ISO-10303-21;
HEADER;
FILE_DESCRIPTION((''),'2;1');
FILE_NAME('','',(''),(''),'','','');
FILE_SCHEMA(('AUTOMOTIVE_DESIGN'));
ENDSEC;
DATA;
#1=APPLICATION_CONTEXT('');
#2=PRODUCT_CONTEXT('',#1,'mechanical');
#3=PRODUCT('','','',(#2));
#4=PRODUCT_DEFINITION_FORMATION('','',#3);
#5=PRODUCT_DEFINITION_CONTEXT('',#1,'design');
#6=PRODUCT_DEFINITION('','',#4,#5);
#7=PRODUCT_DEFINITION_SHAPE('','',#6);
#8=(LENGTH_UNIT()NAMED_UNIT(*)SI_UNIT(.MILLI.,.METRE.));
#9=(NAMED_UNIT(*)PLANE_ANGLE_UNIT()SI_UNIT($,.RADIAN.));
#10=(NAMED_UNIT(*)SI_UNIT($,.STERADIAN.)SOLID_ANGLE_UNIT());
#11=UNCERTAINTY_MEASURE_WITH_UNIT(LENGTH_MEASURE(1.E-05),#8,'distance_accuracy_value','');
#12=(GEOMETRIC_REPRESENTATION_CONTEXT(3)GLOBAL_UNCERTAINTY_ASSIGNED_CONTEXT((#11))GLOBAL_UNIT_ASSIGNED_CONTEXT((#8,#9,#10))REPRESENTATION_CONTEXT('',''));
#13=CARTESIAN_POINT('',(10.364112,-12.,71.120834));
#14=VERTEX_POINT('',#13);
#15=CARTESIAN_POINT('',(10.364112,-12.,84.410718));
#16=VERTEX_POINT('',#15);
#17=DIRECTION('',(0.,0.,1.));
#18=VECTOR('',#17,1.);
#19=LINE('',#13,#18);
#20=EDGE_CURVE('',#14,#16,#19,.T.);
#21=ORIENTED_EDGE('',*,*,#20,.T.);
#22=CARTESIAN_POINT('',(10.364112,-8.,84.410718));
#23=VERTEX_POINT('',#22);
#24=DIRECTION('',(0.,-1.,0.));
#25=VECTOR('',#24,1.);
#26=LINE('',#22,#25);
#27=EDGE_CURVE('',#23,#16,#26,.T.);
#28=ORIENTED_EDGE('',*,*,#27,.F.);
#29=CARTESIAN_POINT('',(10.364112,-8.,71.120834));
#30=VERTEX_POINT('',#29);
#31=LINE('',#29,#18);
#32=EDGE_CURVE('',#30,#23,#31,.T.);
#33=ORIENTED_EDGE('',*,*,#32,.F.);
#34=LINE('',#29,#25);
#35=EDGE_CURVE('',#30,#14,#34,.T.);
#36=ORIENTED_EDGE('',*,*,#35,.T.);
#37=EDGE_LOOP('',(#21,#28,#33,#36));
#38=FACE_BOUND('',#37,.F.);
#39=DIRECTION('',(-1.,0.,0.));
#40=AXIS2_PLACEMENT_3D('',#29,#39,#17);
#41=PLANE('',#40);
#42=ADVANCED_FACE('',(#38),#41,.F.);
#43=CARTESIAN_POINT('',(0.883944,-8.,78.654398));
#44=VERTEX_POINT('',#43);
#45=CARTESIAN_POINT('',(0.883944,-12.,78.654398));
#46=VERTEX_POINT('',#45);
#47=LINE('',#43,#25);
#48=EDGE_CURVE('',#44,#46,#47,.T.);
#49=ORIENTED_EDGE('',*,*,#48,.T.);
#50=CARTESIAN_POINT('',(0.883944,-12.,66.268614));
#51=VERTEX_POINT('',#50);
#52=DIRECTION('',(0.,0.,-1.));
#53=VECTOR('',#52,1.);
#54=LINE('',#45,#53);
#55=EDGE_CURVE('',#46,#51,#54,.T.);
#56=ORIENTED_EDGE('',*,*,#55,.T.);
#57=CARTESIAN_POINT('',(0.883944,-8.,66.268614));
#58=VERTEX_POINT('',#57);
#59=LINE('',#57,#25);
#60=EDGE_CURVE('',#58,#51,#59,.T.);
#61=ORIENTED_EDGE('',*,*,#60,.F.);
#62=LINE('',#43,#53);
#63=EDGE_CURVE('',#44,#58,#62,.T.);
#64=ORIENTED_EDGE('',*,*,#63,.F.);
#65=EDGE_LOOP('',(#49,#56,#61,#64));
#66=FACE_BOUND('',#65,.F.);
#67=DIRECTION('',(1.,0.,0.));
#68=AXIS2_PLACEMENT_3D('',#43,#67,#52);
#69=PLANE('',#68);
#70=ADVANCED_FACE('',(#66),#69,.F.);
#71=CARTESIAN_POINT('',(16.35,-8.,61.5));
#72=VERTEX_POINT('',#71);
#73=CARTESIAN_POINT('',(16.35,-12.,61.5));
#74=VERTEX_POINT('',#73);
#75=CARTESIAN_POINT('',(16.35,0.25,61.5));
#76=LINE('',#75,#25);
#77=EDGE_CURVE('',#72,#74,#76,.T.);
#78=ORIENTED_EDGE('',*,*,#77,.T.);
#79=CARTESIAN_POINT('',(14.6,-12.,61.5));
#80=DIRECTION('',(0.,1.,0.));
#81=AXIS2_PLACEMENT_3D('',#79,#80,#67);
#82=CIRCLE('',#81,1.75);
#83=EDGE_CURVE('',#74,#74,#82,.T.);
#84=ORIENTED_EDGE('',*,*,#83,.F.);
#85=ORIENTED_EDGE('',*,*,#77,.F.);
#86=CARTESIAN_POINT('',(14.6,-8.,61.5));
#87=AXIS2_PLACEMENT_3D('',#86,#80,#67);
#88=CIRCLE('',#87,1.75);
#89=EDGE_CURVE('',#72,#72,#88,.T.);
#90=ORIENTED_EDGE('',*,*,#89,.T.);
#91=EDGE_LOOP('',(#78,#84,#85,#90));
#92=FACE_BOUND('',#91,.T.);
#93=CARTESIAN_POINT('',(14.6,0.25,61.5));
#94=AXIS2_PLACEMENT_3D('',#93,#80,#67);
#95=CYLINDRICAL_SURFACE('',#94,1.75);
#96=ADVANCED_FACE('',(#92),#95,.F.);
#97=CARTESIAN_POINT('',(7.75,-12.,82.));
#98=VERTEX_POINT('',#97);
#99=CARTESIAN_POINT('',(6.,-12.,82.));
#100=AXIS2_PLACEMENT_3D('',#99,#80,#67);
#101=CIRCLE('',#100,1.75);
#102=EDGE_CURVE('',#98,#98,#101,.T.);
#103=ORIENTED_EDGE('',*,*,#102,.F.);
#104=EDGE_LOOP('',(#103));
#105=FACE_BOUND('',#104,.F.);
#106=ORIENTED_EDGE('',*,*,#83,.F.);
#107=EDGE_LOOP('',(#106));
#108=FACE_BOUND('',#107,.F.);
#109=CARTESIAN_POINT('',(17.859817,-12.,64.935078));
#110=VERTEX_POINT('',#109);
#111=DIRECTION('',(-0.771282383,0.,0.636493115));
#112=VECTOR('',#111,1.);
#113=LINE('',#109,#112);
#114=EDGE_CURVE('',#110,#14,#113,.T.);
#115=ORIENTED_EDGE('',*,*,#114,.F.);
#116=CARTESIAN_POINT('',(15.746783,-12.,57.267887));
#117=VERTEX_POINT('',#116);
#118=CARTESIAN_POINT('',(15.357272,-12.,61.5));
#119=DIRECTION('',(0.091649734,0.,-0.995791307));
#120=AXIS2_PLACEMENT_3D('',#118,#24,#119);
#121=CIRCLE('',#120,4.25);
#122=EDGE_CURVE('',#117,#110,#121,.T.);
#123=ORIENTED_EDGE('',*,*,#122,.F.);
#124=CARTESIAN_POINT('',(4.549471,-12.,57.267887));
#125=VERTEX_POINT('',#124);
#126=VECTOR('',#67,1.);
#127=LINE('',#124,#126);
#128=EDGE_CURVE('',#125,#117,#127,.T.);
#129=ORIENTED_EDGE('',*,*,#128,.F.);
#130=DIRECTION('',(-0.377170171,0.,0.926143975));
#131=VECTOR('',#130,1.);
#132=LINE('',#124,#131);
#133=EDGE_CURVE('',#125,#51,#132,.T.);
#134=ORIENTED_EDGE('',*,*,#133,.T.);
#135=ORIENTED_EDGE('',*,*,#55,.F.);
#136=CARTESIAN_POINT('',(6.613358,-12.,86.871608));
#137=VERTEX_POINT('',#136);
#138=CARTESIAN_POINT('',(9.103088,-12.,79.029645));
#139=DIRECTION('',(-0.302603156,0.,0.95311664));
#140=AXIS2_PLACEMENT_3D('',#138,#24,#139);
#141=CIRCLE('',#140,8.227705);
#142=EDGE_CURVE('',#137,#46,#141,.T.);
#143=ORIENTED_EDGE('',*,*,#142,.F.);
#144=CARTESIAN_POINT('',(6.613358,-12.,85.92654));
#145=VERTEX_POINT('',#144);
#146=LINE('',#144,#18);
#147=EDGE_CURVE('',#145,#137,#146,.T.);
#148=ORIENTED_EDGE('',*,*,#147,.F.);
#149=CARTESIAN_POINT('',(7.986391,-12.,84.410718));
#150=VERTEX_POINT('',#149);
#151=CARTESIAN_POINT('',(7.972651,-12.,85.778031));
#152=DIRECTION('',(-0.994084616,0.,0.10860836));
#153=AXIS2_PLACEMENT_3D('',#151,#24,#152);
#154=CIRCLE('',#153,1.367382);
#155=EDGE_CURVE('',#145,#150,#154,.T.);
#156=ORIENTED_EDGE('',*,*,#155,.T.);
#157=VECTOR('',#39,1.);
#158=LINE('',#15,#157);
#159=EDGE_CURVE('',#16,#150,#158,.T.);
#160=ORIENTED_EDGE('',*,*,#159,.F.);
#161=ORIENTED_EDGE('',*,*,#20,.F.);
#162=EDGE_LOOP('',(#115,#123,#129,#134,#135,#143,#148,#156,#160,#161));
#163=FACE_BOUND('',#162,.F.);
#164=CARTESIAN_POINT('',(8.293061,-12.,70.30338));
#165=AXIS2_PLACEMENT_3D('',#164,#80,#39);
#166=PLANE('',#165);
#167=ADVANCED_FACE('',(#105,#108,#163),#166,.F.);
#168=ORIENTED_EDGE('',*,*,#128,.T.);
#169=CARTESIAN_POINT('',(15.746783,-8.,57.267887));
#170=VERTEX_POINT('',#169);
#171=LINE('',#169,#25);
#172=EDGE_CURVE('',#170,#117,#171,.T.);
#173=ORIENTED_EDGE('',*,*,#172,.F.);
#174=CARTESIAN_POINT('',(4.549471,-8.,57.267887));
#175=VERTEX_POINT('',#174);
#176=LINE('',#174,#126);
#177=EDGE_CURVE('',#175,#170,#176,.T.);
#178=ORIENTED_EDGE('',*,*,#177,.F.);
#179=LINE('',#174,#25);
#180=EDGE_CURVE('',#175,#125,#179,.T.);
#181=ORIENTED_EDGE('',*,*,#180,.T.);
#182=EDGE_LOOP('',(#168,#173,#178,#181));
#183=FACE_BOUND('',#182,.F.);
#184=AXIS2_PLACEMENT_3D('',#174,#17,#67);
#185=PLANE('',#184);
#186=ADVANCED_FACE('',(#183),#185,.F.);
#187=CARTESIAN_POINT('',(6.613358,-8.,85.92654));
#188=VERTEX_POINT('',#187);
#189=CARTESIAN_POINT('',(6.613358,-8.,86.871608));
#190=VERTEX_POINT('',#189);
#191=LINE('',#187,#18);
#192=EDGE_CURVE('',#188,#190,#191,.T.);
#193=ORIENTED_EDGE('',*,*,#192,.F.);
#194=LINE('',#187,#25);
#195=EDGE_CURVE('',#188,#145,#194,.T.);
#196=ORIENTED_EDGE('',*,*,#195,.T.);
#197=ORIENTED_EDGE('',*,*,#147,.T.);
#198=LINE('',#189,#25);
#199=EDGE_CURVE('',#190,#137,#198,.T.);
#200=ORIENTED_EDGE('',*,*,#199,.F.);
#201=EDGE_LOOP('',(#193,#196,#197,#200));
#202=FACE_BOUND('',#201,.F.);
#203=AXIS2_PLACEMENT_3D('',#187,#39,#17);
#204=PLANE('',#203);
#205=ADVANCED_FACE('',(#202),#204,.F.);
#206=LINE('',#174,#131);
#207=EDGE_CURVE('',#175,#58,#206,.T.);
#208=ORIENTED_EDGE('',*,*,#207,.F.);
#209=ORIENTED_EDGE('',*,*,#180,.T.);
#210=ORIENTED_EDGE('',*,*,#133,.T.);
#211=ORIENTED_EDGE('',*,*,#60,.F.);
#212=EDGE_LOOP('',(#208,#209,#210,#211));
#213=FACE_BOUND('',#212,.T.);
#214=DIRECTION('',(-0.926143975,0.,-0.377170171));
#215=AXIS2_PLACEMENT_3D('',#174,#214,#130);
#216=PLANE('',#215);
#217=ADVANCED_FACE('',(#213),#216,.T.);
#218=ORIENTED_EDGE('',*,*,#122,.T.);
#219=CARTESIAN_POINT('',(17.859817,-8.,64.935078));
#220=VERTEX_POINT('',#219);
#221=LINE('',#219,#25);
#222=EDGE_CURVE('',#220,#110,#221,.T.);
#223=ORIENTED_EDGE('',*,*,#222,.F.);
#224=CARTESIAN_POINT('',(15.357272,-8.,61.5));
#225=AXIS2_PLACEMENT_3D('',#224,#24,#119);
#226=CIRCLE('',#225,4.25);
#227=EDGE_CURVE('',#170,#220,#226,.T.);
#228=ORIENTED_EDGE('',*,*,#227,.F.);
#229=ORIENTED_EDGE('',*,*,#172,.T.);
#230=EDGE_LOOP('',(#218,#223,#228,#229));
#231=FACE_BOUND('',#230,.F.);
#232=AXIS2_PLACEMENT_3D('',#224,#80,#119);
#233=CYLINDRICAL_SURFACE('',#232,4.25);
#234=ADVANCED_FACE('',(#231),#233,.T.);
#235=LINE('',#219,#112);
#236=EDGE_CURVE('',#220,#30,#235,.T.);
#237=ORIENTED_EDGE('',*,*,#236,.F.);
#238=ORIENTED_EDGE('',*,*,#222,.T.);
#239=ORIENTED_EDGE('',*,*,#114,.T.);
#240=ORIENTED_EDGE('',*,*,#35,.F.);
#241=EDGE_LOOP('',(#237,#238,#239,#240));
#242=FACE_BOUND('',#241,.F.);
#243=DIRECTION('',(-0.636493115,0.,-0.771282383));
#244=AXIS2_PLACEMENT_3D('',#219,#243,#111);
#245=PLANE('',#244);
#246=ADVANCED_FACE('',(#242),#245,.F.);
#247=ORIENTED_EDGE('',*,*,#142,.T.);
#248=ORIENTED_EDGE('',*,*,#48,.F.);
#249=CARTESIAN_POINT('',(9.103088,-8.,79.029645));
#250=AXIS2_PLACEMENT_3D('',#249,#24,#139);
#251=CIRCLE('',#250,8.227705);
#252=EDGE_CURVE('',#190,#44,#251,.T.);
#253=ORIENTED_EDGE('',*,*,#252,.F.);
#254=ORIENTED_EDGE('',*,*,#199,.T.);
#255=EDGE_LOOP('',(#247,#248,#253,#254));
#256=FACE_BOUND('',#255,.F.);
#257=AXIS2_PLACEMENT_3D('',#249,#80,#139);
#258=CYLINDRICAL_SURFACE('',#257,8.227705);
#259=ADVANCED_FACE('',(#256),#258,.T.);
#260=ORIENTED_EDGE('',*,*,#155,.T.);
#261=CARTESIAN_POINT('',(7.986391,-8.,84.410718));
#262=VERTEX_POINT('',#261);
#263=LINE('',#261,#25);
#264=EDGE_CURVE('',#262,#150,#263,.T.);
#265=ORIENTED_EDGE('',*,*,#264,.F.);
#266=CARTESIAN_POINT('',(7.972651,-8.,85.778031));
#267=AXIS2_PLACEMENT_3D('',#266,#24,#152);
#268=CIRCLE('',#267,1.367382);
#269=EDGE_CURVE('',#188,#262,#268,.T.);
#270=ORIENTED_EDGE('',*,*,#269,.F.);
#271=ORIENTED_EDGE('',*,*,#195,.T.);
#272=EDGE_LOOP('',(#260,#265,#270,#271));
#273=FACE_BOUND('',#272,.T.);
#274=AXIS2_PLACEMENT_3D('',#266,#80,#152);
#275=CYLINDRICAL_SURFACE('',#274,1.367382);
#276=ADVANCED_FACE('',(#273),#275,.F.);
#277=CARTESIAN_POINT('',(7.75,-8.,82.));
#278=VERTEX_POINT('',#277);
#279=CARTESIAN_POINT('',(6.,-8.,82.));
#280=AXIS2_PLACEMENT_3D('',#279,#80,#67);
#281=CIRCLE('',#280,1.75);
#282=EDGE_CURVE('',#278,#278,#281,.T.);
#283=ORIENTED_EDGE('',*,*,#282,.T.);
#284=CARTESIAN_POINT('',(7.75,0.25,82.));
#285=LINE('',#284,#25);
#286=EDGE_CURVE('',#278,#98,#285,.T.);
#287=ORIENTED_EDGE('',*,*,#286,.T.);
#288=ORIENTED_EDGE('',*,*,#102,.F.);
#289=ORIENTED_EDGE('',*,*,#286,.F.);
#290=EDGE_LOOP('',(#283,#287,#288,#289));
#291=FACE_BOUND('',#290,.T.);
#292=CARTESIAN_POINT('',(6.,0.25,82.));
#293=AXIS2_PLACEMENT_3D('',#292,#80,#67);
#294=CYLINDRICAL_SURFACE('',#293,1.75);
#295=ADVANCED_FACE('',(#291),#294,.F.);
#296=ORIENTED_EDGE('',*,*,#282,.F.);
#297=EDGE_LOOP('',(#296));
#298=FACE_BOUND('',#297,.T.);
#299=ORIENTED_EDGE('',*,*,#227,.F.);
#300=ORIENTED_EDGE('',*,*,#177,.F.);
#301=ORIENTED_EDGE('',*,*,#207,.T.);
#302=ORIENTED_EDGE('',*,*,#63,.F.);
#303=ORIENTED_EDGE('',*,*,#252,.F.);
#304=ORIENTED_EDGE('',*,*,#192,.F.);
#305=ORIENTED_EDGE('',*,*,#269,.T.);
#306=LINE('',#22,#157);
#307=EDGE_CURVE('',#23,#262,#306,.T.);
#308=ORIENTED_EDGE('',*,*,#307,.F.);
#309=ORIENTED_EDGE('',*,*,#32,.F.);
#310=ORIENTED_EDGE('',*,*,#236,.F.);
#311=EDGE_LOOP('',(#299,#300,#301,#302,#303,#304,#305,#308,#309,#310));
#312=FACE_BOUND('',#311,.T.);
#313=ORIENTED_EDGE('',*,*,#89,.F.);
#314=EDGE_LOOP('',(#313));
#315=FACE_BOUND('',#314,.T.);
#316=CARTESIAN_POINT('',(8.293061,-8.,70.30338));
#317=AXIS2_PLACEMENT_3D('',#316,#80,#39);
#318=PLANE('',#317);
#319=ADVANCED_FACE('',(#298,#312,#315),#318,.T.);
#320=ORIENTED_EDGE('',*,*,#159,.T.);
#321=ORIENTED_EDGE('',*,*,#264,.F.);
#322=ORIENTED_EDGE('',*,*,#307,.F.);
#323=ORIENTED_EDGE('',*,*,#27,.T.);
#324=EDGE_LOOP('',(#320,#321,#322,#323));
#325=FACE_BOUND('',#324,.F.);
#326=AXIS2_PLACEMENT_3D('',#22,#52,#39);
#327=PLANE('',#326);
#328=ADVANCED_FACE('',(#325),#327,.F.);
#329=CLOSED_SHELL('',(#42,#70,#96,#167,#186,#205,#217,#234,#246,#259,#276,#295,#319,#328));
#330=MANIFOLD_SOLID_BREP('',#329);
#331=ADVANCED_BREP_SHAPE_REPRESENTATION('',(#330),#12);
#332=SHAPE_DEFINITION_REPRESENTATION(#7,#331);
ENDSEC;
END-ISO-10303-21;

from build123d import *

# Parameters (mm, degrees)
CYLINDER058_R     = 1.75
CYLINDER058_DEPTH = 15
CYLINDER057_R     = 1.75
CYLINDER057_DEPTH = 15
EXTRUDE001_DEPTH  = 4


with BuildPart() as m3holds026:
    # Cylinder058 → Cylinder058 (new body)
    with BuildSketch(Plane(origin=(14.6, 0.25, 61.5), x_dir=(1, 0, 0), z_dir=(0, -1, 0))):
        Circle(CYLINDER058_R)
    extrude(amount=CYLINDER058_DEPTH)


with BuildPart() as fusion066:
    # Cylinder057 → Cylinder057 (new body)
    with BuildSketch(Plane(origin=(6, 0.25, 82), x_dir=(1, 0, 0), z_dir=(0, -1, 0))):
        Circle(CYLINDER057_R)
    extrude(amount=CYLINDER057_DEPTH)

    # Fusion066: union m3Holds026
    add(m3holds026.part)


with BuildPart() as c4holdtopleft:
    # Sketch003 → Extrude001 (new body)
    with BuildSketch(Plane.XZ):
        with BuildLine():
            Line((4.549471, 57.267887), (0.883944, 66.268614))
            Line((0.883944, 78.654398), (0.883944, 66.268614))
            ThreePointArc((6.613358, 86.871608), (2.353967, 83.73544), (0.883944, 78.654398))
            Line((6.613358, 85.92654), (6.613358, 86.871608))
            ThreePointArc((6.613358, 85.92654), (6.959213, 84.860057), (7.986391, 84.410718))
            Line((10.364112, 84.410718), (7.986391, 84.410718))
            Line((10.364112, 71.120834), (10.364112, 84.410718))
            Line((17.859817, 64.935078), (10.364112, 71.120834))
            ThreePointArc((15.746783, 57.267887), (19.454521, 60.370821), (17.859817, 64.935078))
            Line((4.549471, 57.267887), (15.746783, 57.267887))
        make_face()
    extrude(amount=EXTRUDE001_DEPTH)


with BuildPart() as c4holdtopleft_1:
    # Extrude001 placement: moved
    add(c4holdtopleft.part.moved(Location((0, -8, 0))))

    # Cut011: cut Fusion066
    add(fusion066.part, mode=Mode.SUBTRACT)


solid = c4holdtopleft_1.part
